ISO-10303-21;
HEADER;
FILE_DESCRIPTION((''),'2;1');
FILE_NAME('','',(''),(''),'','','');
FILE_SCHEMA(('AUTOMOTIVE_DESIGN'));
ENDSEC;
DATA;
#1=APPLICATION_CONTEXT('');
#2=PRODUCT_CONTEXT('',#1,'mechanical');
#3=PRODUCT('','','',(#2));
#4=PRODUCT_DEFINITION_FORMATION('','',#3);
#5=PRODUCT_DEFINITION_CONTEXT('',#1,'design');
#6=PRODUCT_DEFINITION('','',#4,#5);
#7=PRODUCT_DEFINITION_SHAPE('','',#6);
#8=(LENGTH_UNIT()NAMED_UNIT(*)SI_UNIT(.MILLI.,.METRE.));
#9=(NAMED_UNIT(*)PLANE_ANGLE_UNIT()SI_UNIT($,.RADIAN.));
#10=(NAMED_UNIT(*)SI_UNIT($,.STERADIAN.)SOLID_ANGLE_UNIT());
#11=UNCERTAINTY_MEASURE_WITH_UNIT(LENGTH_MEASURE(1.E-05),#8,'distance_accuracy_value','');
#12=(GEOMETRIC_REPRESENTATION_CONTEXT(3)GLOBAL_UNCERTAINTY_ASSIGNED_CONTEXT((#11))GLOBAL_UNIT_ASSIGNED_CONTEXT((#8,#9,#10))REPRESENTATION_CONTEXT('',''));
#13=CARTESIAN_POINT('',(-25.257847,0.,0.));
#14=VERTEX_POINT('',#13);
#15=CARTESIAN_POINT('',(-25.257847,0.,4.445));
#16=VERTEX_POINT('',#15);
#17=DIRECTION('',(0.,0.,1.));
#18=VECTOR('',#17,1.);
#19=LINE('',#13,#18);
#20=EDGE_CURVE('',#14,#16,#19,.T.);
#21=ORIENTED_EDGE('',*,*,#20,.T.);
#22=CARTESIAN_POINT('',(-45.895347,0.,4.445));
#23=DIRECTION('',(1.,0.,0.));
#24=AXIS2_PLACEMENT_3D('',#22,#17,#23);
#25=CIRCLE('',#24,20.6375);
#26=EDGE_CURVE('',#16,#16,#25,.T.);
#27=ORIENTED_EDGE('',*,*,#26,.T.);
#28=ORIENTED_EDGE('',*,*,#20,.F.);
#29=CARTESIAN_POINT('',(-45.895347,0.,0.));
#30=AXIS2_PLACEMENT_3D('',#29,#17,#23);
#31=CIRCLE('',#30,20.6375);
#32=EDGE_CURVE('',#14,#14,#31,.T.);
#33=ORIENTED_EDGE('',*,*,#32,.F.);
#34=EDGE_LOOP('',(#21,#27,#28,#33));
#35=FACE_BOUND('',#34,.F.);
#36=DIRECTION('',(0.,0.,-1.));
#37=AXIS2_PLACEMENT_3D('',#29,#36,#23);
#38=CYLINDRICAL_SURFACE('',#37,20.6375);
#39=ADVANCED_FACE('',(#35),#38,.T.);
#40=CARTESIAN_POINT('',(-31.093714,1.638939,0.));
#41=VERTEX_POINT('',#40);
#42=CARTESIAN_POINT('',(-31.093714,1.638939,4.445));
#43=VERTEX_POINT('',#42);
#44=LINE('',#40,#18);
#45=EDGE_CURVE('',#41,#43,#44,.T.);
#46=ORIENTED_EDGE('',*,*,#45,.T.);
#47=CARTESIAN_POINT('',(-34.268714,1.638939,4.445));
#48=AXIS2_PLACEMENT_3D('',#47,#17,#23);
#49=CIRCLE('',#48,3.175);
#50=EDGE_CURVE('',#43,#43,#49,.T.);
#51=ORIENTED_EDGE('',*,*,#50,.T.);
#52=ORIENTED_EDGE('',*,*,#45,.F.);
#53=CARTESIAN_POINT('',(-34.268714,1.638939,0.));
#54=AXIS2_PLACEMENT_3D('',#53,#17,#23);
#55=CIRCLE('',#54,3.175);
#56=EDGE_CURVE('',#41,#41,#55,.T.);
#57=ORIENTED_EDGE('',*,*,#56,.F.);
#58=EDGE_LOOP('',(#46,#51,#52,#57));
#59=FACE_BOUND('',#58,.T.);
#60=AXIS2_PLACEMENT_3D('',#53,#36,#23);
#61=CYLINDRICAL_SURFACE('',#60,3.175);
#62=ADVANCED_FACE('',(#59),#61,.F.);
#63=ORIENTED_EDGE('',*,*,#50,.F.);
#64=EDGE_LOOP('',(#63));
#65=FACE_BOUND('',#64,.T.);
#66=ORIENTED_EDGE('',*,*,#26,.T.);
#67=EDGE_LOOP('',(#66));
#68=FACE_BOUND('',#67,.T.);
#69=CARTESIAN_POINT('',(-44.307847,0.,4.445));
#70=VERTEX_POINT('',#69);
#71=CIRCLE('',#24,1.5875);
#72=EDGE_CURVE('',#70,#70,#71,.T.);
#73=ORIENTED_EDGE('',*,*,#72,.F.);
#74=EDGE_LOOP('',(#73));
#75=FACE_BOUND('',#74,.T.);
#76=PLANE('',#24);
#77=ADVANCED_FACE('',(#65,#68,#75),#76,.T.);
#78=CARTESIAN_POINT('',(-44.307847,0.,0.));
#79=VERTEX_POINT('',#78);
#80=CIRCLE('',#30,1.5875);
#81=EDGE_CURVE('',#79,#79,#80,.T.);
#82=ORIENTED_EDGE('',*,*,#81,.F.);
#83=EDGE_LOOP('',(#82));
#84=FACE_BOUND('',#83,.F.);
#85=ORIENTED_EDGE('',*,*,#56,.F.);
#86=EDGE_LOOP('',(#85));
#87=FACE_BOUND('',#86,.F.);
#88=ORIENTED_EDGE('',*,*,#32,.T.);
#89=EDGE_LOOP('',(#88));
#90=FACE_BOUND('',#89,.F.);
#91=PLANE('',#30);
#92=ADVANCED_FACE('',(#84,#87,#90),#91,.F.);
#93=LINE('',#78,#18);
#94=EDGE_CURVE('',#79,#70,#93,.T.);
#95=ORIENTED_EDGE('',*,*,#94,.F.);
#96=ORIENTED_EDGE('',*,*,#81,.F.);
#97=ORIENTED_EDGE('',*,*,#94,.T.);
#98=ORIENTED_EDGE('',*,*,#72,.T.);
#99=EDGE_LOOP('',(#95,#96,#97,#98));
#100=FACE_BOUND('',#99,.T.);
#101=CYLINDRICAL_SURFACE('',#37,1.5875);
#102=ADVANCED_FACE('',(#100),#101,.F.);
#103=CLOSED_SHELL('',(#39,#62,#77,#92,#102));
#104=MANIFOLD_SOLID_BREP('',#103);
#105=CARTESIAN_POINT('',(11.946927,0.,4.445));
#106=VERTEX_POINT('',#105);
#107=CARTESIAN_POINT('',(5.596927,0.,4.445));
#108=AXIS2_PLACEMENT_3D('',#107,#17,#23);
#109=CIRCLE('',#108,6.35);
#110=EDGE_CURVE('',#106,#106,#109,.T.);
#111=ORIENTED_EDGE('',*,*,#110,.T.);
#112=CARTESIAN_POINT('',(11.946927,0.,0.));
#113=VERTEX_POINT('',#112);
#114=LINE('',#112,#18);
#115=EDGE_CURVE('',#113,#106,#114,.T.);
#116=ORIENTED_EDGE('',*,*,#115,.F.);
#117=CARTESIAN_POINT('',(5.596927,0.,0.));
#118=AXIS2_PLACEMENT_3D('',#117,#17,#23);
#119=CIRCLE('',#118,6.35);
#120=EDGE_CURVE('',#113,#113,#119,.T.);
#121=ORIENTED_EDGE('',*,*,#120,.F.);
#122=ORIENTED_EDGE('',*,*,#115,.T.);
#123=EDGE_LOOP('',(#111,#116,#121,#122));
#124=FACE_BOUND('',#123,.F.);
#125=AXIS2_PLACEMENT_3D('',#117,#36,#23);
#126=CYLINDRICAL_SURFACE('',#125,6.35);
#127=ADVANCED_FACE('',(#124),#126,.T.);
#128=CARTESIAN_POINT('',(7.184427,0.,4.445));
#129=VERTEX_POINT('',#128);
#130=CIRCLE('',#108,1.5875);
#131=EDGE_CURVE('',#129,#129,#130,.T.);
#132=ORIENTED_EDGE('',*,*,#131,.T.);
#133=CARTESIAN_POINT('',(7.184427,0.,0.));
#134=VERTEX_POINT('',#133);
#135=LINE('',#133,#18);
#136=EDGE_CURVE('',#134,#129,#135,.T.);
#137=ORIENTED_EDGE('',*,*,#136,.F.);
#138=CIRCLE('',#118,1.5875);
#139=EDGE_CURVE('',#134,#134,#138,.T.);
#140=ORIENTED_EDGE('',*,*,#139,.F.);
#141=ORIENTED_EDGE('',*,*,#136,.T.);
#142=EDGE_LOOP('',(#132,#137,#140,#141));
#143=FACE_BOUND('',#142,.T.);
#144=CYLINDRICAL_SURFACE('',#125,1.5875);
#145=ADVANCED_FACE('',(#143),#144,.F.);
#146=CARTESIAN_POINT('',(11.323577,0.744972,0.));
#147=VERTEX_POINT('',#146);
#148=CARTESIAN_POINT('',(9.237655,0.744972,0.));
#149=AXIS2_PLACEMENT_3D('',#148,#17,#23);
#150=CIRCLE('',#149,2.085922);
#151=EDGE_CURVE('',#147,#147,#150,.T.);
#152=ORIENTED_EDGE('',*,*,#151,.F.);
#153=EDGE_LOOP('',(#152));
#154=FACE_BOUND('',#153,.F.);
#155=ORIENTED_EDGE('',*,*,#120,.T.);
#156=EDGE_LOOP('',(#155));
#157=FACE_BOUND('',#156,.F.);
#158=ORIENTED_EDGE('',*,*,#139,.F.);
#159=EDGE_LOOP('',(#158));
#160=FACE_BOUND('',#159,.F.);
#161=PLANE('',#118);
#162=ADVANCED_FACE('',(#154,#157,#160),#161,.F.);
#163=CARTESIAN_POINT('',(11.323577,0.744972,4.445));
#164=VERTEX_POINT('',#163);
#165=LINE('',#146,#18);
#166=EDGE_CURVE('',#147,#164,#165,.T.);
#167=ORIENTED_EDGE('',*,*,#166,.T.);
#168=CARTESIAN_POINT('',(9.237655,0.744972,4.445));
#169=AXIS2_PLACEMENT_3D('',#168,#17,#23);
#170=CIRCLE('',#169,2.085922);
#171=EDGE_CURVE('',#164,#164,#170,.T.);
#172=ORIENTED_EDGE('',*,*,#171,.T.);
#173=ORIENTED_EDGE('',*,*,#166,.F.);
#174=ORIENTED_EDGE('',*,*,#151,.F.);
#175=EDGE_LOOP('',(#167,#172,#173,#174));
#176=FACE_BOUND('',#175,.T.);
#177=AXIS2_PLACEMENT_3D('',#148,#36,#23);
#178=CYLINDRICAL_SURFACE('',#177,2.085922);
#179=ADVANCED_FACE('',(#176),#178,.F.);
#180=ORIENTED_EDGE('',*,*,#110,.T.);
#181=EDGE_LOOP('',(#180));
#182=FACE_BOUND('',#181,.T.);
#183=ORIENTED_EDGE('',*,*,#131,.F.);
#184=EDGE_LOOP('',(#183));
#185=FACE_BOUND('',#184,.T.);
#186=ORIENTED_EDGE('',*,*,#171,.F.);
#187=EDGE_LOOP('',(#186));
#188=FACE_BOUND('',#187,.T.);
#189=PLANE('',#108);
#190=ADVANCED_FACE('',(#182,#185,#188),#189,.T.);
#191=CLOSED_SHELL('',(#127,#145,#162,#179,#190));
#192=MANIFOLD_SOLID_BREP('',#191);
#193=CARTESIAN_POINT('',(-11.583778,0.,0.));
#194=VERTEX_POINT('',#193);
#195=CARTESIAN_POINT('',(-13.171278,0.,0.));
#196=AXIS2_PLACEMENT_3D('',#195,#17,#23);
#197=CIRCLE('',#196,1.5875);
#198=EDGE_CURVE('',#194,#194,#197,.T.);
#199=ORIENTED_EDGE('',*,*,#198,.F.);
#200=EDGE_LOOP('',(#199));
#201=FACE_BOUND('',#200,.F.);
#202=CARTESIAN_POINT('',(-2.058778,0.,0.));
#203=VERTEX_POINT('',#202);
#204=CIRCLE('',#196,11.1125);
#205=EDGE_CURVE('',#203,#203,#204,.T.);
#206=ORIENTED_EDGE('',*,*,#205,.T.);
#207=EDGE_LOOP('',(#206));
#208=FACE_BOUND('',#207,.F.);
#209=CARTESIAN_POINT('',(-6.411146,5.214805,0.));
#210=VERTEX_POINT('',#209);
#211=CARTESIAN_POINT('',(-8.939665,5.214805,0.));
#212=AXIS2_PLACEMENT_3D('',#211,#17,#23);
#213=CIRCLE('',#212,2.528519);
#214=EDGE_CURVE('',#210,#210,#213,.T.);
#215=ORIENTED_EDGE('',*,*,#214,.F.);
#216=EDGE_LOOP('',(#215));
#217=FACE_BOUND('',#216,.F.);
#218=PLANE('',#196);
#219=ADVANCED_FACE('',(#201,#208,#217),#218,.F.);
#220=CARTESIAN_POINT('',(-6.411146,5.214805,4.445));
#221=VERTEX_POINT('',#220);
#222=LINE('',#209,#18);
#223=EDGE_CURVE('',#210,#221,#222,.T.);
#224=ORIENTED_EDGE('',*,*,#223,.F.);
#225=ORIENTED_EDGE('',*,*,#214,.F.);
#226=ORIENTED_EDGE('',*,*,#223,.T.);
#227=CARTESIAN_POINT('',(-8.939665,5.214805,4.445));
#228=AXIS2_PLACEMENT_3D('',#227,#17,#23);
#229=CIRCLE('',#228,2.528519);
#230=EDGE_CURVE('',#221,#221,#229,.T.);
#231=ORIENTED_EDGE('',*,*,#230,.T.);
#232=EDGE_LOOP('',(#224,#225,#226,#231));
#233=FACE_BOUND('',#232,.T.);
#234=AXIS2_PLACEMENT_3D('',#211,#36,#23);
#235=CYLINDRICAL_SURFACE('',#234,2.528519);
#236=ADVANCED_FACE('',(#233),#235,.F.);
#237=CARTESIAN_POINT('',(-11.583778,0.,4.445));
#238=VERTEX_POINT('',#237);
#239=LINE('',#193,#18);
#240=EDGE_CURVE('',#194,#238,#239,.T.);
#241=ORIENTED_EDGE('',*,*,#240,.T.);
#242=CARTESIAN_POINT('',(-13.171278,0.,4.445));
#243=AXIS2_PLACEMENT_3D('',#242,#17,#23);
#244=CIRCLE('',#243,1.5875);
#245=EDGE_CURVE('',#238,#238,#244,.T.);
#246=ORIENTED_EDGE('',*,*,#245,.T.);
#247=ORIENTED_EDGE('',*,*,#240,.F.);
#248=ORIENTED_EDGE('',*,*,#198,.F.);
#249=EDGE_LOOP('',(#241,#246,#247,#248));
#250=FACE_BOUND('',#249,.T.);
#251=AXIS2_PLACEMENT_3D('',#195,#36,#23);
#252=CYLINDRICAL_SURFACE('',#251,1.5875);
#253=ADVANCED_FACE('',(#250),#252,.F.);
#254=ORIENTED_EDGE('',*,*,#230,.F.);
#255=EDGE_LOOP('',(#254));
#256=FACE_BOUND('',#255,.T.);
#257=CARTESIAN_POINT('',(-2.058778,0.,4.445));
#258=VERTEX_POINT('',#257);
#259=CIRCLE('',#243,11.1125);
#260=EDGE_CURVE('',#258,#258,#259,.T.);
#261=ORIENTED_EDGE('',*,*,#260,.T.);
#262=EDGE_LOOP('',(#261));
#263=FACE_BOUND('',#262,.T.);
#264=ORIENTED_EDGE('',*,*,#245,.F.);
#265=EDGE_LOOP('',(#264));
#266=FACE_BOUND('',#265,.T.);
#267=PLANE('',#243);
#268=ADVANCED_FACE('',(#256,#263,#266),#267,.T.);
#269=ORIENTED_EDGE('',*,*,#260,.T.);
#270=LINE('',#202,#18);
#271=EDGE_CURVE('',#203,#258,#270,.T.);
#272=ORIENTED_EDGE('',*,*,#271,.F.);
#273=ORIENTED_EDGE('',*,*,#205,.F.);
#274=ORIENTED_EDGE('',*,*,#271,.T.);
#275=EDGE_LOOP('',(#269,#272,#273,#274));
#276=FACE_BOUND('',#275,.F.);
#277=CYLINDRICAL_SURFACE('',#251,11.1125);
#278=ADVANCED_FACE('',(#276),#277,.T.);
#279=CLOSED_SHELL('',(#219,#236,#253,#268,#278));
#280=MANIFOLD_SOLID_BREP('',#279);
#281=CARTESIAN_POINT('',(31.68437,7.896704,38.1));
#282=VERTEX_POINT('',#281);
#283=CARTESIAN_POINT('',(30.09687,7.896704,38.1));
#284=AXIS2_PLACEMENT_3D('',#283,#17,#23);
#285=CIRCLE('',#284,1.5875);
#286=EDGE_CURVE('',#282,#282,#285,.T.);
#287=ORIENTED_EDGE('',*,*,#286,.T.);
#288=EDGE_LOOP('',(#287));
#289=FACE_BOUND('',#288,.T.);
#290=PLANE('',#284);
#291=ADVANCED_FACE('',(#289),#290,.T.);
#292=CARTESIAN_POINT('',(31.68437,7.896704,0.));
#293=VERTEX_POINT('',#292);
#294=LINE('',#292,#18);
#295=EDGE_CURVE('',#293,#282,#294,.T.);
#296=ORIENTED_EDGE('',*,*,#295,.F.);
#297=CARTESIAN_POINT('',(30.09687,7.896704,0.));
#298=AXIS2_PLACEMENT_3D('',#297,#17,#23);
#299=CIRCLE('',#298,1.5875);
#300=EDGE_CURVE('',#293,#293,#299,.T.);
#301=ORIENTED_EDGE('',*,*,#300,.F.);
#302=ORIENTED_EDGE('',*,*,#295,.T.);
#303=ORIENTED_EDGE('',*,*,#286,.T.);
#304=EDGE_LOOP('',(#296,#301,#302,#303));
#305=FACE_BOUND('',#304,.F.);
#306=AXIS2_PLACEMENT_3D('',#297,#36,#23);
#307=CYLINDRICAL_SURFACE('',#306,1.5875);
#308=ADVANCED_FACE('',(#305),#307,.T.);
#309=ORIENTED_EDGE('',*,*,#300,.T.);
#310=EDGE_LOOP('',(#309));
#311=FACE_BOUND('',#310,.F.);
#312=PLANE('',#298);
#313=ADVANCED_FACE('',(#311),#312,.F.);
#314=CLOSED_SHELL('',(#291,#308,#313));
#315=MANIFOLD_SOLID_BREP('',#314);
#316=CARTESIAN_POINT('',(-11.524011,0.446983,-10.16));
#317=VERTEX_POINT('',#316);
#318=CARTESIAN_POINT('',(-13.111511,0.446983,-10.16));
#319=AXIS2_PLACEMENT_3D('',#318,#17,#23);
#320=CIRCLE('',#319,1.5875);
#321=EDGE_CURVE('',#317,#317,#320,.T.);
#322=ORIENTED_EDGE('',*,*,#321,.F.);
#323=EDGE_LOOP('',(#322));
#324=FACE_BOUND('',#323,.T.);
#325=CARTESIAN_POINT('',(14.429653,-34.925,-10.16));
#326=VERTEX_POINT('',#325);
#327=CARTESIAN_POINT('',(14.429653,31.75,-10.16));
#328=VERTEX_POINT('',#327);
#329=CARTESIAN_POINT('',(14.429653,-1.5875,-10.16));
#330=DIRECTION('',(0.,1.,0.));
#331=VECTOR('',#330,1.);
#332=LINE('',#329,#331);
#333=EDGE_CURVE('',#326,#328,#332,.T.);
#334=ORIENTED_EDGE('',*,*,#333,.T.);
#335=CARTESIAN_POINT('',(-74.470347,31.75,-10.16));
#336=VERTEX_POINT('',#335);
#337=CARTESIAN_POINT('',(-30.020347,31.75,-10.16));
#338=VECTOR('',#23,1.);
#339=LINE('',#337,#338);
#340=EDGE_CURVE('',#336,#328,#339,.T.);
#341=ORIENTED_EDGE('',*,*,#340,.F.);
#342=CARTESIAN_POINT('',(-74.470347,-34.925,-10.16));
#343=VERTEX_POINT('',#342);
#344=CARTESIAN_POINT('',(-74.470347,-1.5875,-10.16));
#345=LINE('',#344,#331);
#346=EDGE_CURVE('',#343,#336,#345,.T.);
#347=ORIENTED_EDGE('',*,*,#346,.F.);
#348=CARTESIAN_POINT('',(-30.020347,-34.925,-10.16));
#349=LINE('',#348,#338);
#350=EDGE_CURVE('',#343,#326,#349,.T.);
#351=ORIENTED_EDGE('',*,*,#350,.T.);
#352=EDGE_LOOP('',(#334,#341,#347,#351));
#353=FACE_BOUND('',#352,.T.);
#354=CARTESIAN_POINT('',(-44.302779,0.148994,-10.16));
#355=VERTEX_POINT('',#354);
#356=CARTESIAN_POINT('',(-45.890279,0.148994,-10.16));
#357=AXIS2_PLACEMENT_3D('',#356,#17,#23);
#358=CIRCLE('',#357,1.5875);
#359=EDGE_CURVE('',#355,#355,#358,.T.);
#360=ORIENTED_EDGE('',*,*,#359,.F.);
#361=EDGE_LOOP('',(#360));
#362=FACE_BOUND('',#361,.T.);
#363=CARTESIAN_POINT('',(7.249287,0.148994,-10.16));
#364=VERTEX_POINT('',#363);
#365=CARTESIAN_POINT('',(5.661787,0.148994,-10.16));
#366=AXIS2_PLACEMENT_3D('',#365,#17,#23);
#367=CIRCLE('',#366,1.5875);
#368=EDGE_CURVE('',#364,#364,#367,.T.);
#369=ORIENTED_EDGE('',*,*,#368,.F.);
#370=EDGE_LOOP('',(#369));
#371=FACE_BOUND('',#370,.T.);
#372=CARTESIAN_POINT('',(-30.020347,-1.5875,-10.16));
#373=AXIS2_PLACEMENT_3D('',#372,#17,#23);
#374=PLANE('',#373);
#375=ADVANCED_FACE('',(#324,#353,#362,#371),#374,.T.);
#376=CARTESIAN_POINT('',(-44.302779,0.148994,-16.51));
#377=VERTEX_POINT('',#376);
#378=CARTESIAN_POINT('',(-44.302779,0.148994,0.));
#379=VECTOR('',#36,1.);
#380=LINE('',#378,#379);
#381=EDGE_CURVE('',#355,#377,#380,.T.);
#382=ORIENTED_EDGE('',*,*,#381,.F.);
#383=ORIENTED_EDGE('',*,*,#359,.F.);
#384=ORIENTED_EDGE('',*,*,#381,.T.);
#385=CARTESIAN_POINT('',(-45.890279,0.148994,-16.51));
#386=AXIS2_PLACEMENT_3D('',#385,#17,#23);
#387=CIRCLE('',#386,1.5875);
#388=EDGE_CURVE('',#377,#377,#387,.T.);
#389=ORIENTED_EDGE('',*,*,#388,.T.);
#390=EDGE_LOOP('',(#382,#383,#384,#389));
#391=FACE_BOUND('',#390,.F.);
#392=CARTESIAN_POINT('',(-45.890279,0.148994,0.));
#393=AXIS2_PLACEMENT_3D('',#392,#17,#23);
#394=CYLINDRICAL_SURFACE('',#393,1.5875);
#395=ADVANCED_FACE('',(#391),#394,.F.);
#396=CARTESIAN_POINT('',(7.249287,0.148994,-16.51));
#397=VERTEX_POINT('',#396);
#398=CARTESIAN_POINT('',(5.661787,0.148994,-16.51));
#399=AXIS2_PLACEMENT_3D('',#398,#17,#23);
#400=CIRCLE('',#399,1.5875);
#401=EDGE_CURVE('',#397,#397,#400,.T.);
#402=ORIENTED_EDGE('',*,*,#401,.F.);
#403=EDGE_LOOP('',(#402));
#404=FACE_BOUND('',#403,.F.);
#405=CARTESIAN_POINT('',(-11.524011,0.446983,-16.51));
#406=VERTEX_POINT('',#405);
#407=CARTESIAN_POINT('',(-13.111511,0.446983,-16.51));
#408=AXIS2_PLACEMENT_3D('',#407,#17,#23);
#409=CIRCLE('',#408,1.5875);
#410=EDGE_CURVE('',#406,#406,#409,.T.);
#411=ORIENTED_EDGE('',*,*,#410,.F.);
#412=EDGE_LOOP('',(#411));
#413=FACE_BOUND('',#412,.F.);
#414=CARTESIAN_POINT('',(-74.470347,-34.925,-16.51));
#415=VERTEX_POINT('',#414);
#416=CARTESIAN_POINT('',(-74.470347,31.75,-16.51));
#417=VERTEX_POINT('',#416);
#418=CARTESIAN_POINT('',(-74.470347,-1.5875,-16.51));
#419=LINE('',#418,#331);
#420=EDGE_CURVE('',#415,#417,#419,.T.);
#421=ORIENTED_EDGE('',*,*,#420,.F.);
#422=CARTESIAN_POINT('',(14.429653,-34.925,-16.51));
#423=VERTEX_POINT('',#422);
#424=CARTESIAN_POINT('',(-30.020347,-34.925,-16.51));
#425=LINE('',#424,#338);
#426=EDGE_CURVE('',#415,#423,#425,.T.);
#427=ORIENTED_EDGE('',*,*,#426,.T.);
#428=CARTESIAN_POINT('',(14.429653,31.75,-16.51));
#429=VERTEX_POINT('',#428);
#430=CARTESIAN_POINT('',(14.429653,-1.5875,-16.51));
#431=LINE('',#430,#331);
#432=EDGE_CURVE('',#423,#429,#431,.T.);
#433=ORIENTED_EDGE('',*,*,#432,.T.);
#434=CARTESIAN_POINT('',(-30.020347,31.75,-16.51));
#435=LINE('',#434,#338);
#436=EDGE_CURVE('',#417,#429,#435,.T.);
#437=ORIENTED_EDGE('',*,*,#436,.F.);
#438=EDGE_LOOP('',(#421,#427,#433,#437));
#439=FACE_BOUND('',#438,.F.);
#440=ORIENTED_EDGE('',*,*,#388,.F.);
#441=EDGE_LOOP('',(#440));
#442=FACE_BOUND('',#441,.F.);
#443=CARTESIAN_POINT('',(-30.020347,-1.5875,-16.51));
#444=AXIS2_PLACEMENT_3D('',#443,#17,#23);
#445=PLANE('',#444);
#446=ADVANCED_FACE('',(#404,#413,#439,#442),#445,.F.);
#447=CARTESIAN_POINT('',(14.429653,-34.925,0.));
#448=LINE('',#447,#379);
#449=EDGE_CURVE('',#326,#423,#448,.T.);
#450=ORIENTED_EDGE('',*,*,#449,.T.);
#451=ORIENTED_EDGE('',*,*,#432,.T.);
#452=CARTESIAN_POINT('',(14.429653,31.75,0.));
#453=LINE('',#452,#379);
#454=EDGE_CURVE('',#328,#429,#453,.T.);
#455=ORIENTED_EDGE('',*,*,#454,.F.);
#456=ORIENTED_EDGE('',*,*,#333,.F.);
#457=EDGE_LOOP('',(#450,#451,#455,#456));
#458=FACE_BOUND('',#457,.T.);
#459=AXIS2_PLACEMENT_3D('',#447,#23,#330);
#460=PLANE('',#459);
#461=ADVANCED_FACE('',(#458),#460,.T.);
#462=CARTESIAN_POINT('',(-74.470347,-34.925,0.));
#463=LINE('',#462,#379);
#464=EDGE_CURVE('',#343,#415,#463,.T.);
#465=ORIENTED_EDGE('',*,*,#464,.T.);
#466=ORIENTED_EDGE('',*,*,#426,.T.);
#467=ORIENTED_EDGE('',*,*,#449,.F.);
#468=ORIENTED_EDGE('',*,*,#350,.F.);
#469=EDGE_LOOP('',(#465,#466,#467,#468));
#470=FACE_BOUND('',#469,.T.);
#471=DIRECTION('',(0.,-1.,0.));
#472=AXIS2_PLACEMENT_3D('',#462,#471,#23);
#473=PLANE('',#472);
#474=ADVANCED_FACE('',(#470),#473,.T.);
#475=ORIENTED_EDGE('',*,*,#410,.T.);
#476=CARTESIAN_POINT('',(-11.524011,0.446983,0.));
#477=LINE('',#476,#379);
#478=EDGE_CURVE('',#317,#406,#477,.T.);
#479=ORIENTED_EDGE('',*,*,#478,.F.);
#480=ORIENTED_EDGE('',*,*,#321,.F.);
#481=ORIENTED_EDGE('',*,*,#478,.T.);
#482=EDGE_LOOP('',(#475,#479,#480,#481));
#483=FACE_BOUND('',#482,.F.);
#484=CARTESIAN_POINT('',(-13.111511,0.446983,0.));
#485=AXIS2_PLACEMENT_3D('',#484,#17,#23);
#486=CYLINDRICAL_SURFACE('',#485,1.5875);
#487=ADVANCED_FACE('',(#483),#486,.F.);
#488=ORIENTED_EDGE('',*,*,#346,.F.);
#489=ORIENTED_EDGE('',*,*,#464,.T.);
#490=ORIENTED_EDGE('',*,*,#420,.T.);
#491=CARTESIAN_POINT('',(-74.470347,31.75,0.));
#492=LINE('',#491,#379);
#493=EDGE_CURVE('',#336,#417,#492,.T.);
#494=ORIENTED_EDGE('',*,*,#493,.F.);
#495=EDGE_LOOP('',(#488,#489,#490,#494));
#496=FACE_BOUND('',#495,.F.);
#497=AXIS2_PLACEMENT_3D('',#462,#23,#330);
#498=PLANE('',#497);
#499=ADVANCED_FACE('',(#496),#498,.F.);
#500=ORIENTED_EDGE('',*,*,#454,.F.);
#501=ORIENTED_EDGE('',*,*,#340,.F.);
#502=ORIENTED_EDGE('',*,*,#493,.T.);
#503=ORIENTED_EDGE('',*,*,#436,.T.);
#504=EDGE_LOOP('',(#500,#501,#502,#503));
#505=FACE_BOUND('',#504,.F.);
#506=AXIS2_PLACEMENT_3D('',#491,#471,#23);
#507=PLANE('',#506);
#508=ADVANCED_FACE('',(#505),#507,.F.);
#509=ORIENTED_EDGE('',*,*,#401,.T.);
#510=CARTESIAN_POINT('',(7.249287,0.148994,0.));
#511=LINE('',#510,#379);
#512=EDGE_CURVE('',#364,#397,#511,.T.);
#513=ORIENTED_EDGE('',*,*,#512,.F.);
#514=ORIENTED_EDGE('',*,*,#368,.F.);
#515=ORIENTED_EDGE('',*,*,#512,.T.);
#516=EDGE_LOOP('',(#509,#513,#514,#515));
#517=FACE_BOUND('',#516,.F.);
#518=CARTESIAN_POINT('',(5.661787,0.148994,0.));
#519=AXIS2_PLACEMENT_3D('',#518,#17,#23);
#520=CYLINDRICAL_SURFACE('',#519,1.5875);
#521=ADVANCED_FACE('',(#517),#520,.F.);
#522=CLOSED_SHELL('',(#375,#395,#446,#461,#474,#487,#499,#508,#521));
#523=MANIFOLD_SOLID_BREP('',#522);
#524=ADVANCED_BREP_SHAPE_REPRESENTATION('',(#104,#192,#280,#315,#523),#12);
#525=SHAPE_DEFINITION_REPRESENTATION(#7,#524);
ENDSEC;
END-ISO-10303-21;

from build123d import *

# Parameters (mm, degrees)
F1_W     = 88.9
F1_H     = 66.675
F1_R     = 1.5875
F3_DEPTH = 16.51
F4_DEPTH = 10.16
F0_R     = 20.6375
F0_R_2   = 1.5875
F0_R_3   = 3.175
F0_R_4   = 11.1125
F0_R_5   = 2.528519
F0_R_6   = 6.35
F0_R_7   = 2.085922
F5_DEPTH = 4.445
F2_R     = 1.5875
F6_DEPTH = 38.1


with BuildPart() as f3:
    # F1 (on Top) → F3 (new body)
    with BuildSketch(Plane.XY):
        with Locations((-30.020347, -1.5875)):
            Rectangle(F1_W, F1_H)
        with Locations((-45.890279, 0.148994)):
            Circle(F1_R, mode=Mode.SUBTRACT)
        with Locations((-13.111511, 0.446983)):
            Circle(F1_R, mode=Mode.SUBTRACT)
        with Locations((5.661787, 0.148994)):
            Circle(F1_R, mode=Mode.SUBTRACT)
    extrude(amount=-F3_DEPTH)

    # F1 (on Top) → F4 (cut)
    with BuildSketch(Plane.XY):
        with Locations((-30.020347, -1.5875)):
            Rectangle(F1_W, F1_H)
        with Locations((-45.890279, 0.148994)):
            Circle(F1_R, mode=Mode.SUBTRACT)
        with Locations((-13.111511, 0.446983)):
            Circle(F1_R, mode=Mode.SUBTRACT)
        with Locations((5.661787, 0.148994)):
            Circle(F1_R, mode=Mode.SUBTRACT)
    extrude(amount=-F4_DEPTH, mode=Mode.SUBTRACT)


with BuildPart() as f5:
    # F0 (on Top) → F5 (new body)
    with BuildSketch(Plane.XY):
        with Locations((-45.895347, 0)):
            Circle(F0_R)
        with Locations((-45.895347, 0)):
            Circle(F0_R_2, mode=Mode.SUBTRACT)
        with Locations((-34.268714, 1.638939)):
            Circle(F0_R_3, mode=Mode.SUBTRACT)
        with Locations((-13.171278, 0)):
            Circle(F0_R_4)
        with Locations((-13.171278, 0)):
            Circle(F0_R_2, mode=Mode.SUBTRACT)
        with Locations((-8.939665, 5.214805)):
            Circle(F0_R_5, mode=Mode.SUBTRACT)
        with Locations((5.596927, 0)):
            Circle(F0_R_6)
        with Locations((5.596927, 0)):
            Circle(F0_R_2, mode=Mode.SUBTRACT)
        with Locations((9.237655, 0.744972)):
            Circle(F0_R_7, mode=Mode.SUBTRACT)
    extrude(amount=F5_DEPTH)


with BuildPart() as f6:
    # F2 (on Top) → F6 (new body)
    with BuildSketch(Plane.XY):
        with Locations((30.09687, 7.896704)):
            Circle(F2_R)
    extrude(amount=F6_DEPTH)


solid = Compound([f3.part, f5.part, f6.part])
